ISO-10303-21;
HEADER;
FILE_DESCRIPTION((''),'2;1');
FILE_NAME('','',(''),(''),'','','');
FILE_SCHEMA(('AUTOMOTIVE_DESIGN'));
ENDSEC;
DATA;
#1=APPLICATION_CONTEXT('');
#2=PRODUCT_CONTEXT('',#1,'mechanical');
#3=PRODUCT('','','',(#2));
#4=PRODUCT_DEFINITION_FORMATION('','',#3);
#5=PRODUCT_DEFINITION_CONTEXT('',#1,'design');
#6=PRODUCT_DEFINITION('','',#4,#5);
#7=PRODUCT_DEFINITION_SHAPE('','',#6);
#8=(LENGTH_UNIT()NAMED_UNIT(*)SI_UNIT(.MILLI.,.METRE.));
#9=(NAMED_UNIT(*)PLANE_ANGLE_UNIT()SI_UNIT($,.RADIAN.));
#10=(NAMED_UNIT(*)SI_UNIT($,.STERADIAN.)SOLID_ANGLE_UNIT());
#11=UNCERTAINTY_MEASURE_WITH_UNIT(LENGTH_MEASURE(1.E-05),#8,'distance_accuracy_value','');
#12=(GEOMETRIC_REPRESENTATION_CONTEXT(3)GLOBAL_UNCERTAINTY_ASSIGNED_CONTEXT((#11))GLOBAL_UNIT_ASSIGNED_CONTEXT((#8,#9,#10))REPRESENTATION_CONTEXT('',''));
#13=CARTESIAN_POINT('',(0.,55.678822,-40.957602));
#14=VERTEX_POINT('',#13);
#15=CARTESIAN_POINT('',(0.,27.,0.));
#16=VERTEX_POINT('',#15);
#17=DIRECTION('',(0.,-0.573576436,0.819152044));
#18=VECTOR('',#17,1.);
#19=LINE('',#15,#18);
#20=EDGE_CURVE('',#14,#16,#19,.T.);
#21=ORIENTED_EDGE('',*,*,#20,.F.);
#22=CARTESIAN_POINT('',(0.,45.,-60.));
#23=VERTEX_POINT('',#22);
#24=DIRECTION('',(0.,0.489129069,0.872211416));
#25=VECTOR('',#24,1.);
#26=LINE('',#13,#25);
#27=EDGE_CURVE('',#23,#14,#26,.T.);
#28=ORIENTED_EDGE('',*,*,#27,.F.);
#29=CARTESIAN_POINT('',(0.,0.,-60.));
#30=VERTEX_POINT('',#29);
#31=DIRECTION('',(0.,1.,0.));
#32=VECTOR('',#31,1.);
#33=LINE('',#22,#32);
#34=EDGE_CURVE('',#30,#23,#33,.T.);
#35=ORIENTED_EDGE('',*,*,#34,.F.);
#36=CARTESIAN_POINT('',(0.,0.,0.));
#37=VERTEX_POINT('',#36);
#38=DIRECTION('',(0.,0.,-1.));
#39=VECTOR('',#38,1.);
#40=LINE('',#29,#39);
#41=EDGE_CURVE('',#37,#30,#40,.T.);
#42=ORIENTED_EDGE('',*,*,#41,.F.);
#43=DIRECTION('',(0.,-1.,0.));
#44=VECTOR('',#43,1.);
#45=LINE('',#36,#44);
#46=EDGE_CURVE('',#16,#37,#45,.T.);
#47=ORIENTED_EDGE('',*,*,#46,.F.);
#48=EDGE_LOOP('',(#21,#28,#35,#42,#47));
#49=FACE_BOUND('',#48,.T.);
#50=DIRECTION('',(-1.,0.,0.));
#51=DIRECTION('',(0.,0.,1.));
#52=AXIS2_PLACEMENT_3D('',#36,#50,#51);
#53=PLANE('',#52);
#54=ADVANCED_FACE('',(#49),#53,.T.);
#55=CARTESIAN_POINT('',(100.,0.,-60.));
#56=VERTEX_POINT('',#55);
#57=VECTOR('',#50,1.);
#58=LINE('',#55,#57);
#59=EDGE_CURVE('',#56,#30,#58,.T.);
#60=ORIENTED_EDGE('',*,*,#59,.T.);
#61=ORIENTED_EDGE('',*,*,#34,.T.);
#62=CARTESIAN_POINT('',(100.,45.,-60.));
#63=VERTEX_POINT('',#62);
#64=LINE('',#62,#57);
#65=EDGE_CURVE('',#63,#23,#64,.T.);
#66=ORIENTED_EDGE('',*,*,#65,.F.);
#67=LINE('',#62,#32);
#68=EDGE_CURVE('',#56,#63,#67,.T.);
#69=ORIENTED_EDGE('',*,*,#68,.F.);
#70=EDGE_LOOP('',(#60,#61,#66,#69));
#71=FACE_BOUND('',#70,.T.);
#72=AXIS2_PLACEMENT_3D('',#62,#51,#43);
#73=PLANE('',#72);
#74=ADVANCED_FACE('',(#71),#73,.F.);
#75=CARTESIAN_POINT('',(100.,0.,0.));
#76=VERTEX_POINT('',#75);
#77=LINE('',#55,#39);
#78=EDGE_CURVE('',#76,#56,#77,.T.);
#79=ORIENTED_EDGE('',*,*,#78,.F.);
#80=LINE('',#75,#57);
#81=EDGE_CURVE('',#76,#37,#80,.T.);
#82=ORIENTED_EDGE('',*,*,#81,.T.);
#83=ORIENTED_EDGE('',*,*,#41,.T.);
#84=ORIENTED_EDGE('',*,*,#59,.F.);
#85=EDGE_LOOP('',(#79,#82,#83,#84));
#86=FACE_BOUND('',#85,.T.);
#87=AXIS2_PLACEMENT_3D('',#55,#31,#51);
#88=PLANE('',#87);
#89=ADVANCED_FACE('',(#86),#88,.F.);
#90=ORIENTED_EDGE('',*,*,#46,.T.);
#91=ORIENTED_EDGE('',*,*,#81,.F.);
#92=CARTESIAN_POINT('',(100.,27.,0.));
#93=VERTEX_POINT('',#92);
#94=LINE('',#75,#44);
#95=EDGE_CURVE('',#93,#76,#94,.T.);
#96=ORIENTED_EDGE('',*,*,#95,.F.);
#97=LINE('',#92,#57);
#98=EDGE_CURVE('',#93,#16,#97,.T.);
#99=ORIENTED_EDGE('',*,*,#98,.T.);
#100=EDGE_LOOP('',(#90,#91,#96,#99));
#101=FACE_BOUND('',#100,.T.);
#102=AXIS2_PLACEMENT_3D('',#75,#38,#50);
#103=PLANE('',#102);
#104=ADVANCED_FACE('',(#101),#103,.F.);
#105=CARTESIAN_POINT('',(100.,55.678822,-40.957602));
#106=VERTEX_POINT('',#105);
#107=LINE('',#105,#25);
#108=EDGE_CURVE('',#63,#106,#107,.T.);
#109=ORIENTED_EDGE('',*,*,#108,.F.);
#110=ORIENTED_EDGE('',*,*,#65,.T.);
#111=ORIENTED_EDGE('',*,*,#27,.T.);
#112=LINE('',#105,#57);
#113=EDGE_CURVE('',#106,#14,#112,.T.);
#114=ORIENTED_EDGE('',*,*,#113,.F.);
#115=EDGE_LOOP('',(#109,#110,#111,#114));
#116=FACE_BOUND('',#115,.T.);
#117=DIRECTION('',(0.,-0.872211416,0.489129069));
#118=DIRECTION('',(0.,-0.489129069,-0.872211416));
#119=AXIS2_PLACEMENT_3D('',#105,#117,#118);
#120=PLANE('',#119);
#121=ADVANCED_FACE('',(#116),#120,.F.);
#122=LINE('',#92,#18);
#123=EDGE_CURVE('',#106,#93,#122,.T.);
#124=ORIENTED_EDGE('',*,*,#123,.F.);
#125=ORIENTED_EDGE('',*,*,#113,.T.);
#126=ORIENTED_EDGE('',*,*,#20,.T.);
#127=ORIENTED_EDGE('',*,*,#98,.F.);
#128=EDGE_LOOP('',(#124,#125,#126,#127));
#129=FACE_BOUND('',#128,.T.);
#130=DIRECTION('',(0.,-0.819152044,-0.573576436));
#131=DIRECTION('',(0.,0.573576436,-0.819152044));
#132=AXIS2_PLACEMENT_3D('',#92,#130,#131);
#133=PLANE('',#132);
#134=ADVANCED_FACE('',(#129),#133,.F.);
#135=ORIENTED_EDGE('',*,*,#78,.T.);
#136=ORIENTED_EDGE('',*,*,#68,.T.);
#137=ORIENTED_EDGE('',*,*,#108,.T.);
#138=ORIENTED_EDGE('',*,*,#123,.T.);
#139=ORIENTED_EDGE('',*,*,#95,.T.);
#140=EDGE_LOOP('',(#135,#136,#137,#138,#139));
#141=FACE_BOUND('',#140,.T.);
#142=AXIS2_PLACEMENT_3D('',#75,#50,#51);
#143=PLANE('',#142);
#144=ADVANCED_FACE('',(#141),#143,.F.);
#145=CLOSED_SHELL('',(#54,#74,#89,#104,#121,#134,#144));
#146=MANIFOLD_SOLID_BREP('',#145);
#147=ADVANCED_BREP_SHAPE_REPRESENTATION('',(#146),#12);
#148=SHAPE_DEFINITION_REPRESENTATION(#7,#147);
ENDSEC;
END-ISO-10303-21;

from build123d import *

# Parameters (mm, degrees)
BOSS_EXTRUDE1_DEPTH = 100


with BuildPart() as part:
    # Sketch1 → Boss-Extrude1 (new body)
    with BuildSketch(Plane(origin=(0, 0, 0), x_dir=(0, 0, -1), z_dir=(1, 0, 0))):
        Polygon((0, 0), (0, 27), (40.957602214, 55.678821818), (60, 45), (60, 0), align=None)
    extrude(amount=BOSS_EXTRUDE1_DEPTH)


solid = part.part
